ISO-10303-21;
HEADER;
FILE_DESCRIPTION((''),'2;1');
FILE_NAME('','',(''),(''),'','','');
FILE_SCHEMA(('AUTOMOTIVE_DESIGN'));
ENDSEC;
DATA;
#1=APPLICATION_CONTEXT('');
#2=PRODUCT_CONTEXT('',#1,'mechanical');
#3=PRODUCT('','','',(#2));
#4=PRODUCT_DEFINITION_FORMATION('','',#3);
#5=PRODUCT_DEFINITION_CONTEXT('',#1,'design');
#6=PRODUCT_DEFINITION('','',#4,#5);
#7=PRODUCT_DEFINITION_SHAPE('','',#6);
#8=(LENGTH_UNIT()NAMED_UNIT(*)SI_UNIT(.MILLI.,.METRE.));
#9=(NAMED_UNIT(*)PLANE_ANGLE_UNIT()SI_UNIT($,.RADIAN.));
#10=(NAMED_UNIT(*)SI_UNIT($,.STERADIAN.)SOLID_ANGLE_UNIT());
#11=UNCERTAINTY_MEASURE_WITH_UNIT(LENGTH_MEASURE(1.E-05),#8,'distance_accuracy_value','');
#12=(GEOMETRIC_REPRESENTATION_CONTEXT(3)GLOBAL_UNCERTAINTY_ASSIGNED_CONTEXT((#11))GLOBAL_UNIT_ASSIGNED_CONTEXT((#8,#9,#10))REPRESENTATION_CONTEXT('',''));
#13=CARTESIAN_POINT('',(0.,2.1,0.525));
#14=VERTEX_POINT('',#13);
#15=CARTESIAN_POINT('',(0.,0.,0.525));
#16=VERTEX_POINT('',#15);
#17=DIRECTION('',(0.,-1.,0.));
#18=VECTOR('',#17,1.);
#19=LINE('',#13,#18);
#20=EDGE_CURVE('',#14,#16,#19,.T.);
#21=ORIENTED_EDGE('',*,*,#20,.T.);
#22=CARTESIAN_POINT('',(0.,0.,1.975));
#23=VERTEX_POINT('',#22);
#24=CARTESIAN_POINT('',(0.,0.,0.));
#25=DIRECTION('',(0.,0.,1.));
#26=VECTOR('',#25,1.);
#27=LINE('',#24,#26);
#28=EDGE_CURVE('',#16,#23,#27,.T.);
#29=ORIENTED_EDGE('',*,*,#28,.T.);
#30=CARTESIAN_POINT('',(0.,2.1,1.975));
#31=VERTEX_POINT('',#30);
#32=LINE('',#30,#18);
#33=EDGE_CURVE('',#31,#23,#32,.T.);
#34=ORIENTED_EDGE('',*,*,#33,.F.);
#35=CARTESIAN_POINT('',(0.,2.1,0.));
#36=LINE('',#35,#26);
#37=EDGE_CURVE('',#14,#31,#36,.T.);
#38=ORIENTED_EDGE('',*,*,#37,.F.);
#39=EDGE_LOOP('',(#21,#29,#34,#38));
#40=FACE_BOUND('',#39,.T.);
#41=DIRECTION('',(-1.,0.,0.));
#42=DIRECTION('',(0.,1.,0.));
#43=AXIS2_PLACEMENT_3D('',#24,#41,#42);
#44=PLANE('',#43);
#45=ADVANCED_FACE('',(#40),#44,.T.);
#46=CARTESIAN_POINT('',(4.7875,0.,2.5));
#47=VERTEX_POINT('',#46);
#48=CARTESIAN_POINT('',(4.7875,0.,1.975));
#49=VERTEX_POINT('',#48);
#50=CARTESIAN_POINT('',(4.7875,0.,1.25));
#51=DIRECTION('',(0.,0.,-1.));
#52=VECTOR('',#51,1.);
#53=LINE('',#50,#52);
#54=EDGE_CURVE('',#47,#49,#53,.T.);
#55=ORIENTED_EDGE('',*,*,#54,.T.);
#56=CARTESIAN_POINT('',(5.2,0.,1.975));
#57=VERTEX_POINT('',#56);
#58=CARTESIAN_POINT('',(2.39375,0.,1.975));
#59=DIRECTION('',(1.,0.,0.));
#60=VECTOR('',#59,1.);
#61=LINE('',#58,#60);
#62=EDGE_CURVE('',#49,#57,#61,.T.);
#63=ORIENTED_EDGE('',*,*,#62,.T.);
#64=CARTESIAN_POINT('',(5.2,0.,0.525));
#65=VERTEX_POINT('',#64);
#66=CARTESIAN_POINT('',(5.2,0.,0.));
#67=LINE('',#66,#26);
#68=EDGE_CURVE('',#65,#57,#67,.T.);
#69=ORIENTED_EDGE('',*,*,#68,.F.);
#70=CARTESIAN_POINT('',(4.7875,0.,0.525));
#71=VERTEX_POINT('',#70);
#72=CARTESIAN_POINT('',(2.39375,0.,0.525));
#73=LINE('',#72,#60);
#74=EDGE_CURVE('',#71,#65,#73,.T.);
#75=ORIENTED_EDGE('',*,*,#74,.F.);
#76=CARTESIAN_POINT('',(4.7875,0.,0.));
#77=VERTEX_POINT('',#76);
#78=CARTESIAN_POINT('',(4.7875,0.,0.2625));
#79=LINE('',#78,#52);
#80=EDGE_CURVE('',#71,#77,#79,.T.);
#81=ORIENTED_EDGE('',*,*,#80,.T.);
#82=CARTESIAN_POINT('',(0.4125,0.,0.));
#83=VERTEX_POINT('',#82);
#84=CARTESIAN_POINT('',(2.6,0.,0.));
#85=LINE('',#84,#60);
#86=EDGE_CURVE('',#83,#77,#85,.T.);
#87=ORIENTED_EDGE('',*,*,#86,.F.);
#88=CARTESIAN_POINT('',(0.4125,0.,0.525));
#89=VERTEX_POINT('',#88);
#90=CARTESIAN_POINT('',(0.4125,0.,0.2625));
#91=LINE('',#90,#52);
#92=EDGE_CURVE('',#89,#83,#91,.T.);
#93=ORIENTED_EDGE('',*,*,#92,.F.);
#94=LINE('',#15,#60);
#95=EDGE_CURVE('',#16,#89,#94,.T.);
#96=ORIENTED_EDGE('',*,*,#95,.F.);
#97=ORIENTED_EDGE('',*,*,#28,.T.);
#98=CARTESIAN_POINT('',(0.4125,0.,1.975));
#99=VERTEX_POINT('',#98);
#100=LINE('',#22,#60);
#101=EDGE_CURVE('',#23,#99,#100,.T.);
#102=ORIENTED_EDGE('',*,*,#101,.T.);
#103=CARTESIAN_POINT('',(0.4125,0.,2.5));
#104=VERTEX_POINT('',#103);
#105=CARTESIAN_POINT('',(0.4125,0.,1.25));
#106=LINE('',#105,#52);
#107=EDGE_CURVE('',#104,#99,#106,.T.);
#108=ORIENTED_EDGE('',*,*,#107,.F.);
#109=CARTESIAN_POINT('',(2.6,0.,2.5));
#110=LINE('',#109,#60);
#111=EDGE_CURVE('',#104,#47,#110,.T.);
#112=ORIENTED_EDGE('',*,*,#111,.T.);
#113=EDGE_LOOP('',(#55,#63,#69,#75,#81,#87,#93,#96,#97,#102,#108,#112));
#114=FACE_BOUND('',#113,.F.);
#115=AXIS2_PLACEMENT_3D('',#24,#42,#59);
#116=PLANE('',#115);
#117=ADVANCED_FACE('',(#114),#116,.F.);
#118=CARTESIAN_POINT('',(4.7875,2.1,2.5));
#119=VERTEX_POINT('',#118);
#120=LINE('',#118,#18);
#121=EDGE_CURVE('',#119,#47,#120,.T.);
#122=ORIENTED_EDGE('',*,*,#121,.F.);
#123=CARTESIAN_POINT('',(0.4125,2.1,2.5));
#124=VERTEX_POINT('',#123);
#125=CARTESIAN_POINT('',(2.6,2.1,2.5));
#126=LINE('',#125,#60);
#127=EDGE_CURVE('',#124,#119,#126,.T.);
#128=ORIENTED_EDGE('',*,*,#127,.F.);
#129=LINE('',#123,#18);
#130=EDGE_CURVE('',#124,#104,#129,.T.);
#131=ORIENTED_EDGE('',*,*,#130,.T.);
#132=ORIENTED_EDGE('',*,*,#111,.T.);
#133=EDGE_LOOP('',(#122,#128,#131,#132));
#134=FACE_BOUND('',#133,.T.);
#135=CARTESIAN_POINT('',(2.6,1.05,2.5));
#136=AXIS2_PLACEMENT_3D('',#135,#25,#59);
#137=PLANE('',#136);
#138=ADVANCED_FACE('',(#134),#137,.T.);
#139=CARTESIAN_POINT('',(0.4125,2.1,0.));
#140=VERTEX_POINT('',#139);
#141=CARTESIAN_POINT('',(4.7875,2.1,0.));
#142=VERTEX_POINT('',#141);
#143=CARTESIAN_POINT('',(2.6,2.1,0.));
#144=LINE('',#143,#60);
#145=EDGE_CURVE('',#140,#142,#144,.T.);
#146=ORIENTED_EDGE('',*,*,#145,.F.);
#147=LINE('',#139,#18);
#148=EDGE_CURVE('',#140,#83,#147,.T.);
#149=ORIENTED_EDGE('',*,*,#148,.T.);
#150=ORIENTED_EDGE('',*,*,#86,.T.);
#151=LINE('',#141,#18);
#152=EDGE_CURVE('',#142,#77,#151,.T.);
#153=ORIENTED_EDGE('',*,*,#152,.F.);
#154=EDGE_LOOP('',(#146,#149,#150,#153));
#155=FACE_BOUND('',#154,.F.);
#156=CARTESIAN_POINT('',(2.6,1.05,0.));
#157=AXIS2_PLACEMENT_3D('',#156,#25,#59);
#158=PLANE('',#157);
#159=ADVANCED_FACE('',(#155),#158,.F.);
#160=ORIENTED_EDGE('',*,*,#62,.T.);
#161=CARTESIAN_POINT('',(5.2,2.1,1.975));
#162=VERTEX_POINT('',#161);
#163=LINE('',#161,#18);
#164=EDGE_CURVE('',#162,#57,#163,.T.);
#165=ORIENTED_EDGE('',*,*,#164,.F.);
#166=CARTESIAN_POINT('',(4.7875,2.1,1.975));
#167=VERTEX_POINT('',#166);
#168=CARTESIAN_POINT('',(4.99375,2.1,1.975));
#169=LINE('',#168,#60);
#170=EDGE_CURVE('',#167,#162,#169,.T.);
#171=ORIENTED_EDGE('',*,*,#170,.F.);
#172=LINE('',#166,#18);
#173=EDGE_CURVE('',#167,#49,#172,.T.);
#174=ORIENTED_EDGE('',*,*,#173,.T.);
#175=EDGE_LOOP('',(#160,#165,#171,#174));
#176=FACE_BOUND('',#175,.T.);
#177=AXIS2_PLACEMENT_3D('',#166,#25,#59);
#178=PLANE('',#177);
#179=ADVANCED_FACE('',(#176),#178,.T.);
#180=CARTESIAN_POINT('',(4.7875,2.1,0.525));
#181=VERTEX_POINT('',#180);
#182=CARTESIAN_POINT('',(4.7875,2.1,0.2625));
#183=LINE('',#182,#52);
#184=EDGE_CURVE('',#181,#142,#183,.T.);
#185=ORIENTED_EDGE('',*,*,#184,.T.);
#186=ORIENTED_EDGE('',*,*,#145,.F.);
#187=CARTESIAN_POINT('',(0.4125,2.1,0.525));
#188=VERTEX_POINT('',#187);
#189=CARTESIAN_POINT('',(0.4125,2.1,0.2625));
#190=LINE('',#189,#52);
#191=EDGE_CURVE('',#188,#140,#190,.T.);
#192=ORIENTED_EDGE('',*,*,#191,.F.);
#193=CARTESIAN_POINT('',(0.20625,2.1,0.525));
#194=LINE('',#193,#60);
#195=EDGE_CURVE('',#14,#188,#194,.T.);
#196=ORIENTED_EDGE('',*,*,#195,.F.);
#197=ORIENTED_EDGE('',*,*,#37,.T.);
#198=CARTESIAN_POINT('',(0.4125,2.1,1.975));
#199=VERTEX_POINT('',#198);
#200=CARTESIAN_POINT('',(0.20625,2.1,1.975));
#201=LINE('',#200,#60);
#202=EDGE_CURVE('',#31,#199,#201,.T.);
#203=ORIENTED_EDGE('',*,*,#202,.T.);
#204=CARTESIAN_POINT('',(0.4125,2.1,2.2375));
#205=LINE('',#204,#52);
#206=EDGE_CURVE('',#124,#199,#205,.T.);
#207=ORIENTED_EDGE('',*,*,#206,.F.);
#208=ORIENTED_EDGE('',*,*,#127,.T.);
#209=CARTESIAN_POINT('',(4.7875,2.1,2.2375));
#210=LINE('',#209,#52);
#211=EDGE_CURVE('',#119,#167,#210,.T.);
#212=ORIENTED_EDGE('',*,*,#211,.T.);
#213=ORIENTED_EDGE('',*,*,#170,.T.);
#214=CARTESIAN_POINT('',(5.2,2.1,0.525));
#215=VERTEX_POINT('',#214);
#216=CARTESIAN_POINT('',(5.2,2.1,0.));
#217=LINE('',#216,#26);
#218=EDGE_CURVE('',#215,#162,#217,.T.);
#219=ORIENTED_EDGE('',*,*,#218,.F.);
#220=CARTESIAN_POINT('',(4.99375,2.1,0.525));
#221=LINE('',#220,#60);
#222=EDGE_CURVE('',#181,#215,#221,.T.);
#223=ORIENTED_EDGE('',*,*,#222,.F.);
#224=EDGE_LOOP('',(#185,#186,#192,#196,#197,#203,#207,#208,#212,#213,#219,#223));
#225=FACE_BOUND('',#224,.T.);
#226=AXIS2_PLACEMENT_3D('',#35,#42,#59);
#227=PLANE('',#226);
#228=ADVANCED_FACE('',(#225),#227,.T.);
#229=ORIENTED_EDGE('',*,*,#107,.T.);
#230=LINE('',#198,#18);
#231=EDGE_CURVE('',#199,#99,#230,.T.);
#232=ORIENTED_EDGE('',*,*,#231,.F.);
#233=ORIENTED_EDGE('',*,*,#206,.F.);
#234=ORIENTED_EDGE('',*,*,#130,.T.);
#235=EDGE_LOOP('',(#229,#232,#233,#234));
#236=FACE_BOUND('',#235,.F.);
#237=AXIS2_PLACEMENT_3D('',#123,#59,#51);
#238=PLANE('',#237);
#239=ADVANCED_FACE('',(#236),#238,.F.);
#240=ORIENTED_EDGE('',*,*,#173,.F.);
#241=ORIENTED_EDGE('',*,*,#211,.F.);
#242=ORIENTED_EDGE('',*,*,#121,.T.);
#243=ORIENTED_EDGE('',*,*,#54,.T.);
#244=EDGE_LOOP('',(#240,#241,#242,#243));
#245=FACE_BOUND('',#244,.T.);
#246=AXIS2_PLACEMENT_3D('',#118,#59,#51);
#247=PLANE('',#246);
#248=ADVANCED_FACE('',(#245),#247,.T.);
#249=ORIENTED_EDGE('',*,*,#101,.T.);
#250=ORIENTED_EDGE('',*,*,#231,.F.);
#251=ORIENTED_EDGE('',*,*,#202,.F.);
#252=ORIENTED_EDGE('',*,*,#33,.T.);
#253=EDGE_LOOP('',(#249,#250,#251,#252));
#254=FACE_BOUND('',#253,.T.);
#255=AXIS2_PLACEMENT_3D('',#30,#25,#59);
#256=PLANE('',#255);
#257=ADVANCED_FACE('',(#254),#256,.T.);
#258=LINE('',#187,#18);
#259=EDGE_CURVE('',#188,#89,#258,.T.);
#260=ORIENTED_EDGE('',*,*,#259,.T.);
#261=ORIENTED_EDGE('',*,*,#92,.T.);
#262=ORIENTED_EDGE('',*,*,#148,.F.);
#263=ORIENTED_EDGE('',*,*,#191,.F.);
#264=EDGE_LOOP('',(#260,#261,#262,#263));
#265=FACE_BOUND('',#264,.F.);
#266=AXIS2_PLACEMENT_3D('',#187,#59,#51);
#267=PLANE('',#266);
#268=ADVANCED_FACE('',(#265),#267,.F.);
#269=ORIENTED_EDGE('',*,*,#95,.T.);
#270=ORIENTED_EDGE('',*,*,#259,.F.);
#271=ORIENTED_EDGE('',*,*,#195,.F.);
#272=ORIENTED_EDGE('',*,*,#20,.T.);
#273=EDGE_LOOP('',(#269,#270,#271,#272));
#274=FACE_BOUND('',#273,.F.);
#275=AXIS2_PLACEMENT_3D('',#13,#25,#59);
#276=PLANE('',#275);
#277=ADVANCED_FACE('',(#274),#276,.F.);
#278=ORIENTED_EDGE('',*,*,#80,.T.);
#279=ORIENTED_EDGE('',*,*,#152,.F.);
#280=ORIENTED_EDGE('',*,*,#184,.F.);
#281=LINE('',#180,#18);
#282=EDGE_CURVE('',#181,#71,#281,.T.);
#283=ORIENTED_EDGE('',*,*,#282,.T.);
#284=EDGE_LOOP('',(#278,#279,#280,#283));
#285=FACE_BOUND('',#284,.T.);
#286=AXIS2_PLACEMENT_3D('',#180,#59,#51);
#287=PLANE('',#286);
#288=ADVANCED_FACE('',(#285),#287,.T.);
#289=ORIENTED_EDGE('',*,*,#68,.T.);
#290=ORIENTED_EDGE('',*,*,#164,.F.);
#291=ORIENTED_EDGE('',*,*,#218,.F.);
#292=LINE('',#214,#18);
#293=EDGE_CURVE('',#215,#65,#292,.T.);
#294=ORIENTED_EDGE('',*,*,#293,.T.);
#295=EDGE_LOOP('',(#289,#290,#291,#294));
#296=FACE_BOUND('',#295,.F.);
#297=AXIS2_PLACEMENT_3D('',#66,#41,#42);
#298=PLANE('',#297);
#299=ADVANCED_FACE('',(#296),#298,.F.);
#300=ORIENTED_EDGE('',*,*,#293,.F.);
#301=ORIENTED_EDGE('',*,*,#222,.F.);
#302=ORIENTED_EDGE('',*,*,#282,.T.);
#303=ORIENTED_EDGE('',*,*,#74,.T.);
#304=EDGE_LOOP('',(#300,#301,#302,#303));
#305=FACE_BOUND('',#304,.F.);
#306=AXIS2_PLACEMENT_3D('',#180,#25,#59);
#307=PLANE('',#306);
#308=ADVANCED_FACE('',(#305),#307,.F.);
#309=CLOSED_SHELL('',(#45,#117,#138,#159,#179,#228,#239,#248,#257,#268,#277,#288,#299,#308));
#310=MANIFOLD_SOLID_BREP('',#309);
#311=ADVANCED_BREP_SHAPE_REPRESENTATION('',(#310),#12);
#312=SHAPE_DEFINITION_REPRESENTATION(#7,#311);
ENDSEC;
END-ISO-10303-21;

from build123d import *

# Parameters (mm, degrees)
SKETCH1_W           = 5.2
SKETCH1_H           = 2.1
BOSS_EXTRUDE1_DEPTH = 2.5
SKETCH2_W           = 0.4125
SKETCH2_H           = 0.525
CUT_EXTRUDE1_DEPTH  = 3.1


with BuildPart() as part:
    # Sketch1 → Boss-Extrude1 (new body)
    with BuildSketch(Plane.XY):
        with Locations((2.6, 1.05)):
            Rectangle(SKETCH1_W, SKETCH1_H)
    extrude(amount=BOSS_EXTRUDE1_DEPTH)

    # Sketch2 → Cut-Extrude1 (cut, through all)
    with BuildSketch(Plane(origin=(0, 2.1, 0), x_dir=(1, 0, 0), z_dir=(0, 1, 0))):
        with Locations((4.99375, -0.2625)):
            Rectangle(SKETCH2_W, SKETCH2_H)
        with Locations((0.20625, -0.2625)):
            Rectangle(SKETCH2_W, SKETCH2_H)
        with Locations((4.99375, -2.2375)):
            Rectangle(SKETCH2_W, SKETCH2_H)
        with Locations((0.20625, -2.2375)):
            Rectangle(SKETCH2_W, SKETCH2_H)
    extrude(amount=-CUT_EXTRUDE1_DEPTH, mode=Mode.SUBTRACT)


solid = part.part
